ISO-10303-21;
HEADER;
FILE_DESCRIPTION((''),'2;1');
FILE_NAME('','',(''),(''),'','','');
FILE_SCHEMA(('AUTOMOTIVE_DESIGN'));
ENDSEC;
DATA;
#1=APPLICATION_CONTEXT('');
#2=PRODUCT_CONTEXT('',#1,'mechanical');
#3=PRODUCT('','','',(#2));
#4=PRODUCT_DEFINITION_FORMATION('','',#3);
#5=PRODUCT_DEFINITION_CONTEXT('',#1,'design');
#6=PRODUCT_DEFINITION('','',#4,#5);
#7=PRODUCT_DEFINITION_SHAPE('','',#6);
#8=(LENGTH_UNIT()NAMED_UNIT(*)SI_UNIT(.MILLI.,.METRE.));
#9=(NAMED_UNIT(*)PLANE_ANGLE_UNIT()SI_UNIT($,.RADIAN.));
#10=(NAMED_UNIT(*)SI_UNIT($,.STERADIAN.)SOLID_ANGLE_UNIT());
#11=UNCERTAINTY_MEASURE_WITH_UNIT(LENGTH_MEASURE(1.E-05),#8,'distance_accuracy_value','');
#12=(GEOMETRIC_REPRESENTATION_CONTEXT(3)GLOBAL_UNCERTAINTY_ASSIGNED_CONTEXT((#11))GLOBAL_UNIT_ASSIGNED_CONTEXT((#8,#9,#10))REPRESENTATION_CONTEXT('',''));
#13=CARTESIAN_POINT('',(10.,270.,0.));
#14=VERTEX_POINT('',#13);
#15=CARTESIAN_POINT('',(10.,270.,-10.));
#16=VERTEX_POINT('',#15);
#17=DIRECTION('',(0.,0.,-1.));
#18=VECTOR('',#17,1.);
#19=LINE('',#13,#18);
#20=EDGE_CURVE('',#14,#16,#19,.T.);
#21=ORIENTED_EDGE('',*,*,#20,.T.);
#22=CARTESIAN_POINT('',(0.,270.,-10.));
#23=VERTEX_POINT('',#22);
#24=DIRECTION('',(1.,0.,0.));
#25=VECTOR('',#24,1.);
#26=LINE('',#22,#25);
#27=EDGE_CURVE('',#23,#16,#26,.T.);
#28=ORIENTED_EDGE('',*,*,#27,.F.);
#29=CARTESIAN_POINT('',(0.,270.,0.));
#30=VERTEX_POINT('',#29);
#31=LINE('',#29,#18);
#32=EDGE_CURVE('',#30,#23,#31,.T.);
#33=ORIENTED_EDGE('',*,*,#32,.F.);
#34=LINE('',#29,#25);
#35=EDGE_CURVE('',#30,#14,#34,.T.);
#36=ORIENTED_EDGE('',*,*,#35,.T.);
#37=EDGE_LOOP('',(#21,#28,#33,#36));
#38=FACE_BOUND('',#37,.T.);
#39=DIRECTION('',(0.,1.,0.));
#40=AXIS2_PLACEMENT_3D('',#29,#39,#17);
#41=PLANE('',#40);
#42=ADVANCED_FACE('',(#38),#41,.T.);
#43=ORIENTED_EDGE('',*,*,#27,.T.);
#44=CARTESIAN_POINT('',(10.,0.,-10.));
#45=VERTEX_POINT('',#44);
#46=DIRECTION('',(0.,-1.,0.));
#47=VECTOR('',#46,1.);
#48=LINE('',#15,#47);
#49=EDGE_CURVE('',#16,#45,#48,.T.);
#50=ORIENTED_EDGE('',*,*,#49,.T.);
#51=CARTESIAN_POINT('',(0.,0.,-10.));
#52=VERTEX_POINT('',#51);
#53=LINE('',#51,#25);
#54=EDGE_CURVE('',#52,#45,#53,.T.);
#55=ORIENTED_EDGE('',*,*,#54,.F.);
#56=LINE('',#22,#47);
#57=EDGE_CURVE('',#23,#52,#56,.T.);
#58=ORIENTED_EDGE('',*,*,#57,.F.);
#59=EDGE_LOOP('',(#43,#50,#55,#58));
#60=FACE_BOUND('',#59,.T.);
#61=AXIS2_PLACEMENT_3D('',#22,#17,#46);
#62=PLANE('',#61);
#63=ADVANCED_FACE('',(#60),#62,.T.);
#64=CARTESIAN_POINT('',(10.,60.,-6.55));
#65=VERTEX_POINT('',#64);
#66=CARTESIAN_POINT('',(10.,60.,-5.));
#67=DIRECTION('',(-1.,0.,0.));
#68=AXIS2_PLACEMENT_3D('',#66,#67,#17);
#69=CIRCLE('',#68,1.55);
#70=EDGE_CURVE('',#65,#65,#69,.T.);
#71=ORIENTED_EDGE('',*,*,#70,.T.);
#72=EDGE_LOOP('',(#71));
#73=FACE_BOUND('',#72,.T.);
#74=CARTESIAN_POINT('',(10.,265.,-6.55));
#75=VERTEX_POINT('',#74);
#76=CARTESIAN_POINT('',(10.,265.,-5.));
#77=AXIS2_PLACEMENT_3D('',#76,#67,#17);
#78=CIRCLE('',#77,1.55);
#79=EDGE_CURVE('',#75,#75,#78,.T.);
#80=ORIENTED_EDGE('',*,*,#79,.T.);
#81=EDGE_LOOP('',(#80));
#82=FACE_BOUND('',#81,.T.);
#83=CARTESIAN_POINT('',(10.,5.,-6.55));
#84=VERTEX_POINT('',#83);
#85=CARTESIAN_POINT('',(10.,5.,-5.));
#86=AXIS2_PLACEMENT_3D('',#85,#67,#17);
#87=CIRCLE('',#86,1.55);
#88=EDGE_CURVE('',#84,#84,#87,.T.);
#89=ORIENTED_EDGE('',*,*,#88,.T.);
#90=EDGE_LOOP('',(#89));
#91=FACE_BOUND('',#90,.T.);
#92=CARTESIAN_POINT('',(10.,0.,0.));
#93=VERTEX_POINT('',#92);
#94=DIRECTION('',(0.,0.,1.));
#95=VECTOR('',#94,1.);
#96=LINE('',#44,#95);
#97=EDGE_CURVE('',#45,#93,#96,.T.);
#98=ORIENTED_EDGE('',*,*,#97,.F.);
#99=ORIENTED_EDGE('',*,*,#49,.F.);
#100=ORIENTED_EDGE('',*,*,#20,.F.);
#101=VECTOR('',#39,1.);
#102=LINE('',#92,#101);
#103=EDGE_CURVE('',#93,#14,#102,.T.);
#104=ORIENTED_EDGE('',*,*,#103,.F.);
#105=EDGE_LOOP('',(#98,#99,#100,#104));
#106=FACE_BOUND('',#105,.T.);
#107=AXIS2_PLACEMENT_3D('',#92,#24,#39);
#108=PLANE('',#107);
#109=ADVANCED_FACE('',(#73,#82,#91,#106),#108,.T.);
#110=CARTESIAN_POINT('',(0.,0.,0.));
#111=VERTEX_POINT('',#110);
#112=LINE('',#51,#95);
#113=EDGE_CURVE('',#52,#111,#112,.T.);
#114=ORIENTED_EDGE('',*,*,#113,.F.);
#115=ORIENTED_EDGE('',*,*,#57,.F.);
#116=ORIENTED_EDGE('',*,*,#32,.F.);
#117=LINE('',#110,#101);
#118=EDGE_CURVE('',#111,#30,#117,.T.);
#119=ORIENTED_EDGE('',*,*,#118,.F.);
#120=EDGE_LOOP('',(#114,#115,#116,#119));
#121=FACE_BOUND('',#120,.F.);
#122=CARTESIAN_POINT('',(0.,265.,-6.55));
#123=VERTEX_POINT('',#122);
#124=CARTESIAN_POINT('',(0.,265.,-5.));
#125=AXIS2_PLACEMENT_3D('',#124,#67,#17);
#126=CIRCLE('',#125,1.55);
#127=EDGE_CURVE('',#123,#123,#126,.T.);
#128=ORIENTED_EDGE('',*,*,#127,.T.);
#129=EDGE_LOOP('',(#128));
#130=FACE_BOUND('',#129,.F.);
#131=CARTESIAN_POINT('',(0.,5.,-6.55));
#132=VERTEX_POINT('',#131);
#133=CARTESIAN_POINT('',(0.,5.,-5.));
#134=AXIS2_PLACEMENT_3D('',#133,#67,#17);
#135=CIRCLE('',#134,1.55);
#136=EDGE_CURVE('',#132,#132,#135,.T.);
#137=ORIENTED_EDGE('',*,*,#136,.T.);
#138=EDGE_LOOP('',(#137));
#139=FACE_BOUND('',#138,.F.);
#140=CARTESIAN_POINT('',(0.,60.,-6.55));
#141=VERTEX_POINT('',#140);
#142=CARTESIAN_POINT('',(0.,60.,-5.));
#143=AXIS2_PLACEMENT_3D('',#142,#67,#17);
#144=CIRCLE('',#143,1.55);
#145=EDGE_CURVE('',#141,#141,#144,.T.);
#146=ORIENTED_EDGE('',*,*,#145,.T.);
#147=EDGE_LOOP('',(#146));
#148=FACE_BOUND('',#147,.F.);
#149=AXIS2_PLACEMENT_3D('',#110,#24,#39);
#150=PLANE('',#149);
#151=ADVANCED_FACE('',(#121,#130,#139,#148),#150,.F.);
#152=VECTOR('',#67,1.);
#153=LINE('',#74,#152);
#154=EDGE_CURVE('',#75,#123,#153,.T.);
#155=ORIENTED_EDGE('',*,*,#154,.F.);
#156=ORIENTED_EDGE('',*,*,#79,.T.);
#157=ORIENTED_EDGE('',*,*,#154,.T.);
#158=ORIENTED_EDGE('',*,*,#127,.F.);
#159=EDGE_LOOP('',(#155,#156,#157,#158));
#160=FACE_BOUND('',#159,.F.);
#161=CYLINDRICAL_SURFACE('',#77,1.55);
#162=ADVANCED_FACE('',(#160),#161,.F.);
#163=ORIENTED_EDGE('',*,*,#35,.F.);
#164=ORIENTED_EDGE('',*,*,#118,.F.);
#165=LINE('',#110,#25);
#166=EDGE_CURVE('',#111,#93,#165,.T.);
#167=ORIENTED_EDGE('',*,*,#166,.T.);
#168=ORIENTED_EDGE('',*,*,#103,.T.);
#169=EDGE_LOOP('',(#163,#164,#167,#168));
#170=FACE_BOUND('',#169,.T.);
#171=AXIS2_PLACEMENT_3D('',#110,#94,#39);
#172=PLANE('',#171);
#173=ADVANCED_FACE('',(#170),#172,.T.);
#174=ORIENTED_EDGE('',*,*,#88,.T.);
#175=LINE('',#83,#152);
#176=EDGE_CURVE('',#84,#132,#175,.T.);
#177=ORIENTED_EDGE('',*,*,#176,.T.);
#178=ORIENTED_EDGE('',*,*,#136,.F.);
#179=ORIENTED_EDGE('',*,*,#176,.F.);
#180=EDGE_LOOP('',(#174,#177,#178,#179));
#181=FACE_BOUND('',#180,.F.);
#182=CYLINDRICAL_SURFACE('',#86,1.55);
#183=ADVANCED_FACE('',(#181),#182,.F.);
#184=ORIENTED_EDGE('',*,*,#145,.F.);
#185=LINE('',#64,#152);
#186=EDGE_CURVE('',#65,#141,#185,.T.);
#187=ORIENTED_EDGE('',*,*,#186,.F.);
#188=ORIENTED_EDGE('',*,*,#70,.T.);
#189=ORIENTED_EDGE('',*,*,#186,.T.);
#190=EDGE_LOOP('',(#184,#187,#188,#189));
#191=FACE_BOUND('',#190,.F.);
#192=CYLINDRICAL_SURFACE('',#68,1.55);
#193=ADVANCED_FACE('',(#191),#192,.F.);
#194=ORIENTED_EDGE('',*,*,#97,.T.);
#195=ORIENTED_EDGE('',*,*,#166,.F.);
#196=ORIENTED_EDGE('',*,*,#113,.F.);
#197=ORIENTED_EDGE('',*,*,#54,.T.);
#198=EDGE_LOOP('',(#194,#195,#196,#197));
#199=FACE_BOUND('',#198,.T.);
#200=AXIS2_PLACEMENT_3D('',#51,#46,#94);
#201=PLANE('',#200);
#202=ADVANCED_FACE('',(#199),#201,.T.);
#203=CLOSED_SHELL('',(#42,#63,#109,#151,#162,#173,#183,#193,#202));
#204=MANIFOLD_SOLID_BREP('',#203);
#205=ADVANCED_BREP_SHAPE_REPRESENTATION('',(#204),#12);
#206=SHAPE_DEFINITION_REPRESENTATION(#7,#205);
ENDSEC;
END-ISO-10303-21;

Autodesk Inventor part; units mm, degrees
ref_plane "YZ Plane" through (0, 0, 0) normal (1, 0, 0) x (0, 1, 0)
ref_plane "XZ Plane" through (0, 0, 0) normal (0, 1, 0) x (-1, 0, 0)
ref_plane "XY Plane" through (0, 0, 0) normal (0, 0, 1) x (1, 0, 0)
sketch "スケッチ1" plane through (0, 0, 0) normal (1, 0, 0) x (0, 1, 0)
  line L0 (0, 0) -> (270, 0)
  line L1 (270, 0) -> (270, -10)
  line L2 (270, -10) -> (0, -10)
  line L3 (0, -10) -> (0, 0)
  dimension "d0" = 270
  dimension "d1" = 10
extrude "押し出し1" add sketch "スケッチ1" along normal blind 10
sketch "スケッチ2" plane through (10, 0, 0) normal (1, 0, 0) x (0, 0, -1)
  line L0 (0, 0) -> (10, 0) projected
  line L1 (10, 270) -> (0, 270) projected
  point P0 (5, 5)
  point P1 (5, 60)
  point P2 (5, 265)
  point P3 (5, 0)
  point P4 (5, 0)
  point P5 (5, 0)
  point P6 (5, 0)
  point P7 (5, 270)
  dimension "d4" = 5
  dimension "d5" = 60
  dimension "d6" = 5
hole "穴1" at (10, 5, -5) at (10, 60, -5) at (10, 265, -5) direction (-1, 0, 0) diameter 3.1 end through all
properties part number "Naname"
